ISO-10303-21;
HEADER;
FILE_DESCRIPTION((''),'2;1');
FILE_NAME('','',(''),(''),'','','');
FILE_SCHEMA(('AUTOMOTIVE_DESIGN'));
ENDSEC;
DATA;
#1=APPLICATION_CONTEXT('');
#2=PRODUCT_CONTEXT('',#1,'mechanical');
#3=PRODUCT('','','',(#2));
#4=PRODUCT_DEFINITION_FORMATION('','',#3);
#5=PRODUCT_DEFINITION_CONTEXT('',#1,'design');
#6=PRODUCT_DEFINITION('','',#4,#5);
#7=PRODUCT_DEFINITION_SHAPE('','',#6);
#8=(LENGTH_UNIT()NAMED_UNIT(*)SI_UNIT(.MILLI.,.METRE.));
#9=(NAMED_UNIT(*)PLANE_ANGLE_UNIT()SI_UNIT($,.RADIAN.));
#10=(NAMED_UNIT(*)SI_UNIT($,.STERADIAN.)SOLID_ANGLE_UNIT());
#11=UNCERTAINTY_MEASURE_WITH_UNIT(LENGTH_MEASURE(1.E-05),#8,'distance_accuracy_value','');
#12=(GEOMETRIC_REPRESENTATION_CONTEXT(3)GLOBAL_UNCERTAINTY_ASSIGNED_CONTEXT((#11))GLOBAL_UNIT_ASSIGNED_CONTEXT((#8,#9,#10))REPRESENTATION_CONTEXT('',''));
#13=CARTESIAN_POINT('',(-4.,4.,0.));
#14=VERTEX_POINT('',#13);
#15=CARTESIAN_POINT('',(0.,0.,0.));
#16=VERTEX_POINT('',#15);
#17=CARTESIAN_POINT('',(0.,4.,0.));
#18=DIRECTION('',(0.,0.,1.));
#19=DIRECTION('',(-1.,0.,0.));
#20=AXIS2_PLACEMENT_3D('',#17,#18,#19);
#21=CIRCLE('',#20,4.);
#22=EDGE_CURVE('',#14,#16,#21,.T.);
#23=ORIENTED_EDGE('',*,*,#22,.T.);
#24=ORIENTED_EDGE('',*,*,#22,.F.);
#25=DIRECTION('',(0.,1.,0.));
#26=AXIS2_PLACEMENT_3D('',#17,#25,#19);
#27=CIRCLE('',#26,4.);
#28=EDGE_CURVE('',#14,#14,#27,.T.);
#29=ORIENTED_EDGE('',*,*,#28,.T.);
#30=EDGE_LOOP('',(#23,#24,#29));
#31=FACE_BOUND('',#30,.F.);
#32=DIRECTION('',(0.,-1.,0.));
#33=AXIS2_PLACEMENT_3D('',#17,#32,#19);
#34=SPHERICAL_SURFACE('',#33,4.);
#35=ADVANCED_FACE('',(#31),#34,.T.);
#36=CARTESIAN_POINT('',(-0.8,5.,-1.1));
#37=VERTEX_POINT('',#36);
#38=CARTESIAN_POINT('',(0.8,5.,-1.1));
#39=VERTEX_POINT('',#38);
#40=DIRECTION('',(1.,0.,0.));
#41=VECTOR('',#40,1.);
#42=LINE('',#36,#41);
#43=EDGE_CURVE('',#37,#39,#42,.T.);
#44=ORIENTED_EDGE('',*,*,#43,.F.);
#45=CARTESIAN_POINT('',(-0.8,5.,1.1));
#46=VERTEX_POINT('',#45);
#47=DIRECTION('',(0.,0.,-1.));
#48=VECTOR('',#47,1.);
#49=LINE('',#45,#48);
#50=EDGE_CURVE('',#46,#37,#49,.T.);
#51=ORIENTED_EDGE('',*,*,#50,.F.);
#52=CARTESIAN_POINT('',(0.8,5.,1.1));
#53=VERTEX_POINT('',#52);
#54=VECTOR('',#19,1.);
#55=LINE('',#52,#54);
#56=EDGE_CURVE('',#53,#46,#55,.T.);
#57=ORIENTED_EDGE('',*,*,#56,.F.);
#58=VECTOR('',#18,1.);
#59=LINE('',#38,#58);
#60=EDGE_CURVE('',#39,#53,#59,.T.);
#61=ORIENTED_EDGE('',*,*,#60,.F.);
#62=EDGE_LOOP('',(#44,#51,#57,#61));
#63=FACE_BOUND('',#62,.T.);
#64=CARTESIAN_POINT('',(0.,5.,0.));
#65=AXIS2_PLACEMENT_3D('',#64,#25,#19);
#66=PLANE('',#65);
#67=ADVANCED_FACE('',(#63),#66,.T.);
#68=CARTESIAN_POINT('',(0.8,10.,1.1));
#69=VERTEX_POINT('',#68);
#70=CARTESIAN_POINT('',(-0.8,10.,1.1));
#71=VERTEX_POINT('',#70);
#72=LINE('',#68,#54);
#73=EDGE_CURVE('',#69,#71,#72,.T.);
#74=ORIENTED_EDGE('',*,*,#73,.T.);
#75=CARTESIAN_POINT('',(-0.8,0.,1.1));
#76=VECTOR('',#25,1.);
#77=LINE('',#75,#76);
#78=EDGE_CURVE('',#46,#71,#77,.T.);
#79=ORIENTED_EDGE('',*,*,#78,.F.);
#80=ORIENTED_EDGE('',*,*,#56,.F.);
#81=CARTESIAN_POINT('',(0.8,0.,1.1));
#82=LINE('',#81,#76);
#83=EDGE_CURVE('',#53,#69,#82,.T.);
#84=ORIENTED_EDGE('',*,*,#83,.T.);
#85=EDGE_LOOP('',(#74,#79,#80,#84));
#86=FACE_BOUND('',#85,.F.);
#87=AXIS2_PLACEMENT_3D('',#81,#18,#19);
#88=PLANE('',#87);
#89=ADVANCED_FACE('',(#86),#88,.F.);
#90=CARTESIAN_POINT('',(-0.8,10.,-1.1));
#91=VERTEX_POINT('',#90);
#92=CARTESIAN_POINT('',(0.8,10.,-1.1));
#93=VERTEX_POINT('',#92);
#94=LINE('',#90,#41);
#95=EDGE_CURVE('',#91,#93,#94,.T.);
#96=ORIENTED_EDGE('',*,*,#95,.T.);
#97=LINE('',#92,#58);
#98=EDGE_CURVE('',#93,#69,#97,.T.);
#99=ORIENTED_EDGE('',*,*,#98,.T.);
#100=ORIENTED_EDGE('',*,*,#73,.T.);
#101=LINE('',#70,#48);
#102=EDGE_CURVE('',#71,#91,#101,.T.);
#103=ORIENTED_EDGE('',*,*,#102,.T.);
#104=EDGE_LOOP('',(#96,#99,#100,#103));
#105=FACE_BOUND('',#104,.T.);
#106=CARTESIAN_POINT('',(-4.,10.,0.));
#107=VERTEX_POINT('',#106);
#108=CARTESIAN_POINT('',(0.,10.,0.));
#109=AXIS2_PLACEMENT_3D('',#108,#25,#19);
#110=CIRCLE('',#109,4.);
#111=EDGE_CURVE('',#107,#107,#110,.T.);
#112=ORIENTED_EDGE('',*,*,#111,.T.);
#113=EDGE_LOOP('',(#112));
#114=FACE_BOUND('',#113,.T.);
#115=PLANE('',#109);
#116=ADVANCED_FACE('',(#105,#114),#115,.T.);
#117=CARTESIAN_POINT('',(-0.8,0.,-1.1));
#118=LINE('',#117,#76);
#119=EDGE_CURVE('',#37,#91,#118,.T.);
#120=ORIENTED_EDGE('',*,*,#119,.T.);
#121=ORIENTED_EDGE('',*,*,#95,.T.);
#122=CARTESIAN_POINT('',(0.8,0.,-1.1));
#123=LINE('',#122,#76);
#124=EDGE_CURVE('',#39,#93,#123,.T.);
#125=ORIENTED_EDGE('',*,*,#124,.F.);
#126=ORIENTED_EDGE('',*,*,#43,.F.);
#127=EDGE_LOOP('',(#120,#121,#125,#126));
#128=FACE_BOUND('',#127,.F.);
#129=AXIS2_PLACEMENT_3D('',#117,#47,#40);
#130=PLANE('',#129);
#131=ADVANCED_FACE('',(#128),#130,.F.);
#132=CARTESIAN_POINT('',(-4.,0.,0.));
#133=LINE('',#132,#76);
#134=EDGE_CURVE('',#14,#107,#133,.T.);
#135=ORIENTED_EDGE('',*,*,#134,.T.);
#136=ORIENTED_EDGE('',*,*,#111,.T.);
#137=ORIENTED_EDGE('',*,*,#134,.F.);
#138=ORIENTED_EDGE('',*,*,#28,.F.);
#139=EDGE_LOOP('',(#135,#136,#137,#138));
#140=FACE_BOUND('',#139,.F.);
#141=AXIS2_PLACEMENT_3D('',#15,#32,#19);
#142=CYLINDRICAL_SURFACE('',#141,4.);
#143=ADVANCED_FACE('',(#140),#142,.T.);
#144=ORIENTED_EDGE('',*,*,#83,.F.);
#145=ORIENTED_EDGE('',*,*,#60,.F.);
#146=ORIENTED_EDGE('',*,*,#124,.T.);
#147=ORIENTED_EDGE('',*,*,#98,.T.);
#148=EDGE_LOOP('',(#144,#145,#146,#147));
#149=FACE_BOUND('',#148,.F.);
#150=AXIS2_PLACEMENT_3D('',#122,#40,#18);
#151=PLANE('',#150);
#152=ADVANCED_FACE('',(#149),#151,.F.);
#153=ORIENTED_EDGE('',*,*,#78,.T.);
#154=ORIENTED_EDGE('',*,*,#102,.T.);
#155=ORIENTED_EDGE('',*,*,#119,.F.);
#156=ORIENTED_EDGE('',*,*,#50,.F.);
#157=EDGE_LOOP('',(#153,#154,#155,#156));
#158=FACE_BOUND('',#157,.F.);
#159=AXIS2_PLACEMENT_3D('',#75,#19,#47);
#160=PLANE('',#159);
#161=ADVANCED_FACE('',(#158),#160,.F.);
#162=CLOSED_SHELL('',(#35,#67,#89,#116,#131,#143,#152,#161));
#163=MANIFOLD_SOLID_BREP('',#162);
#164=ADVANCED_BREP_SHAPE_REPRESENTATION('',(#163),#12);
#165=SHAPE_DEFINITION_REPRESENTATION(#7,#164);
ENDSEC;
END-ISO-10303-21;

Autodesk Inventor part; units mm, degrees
ref_plane "YZ Plane" through (0, 0, 0) normal (1, 0, 0) x (0, 1, 0)
ref_plane "XZ Plane" through (0, 0, 0) normal (0, 1, 0) x (-1, 0, 0)
ref_plane "XY Plane" through (0, 0, 0) normal (0, 0, 1) x (1, 0, 0)
sketch "Sketch1" plane through (0, 0, 0) normal (0, 1, 0) x (-1, 0, 0)
  line L0 (-0.8, 1.1) -> (0.8, 1.1)
  line L1 (0.8, 1.1) -> (0.8, -1.1)
  line L2 (0.8, -1.1) -> (-0.8, -1.1)
  line L3 (-0.8, -1.1) -> (-0.8, 1.1)
  line L4 (-0.8, 1.1) -> (0.8, -1.1) construction
  line L5 (0.8, 1.1) -> (-0.8, -1.1) construction
  circle A0 centre (0, 0) radius 4
  dimension "d0" = 1.6
  dimension "d1" = 2.2
  dimension "d2" = 8
extrude "Extrusion1" add sketch "Sketch1" along normal blind 10
extrude "Extrusion2" add sketch "Sketch1" along normal blind 5 contours L0 L1 L2 L3
fillet "Fillet1" radius 4 1 edges at (4, 0, 0)
properties part number "Joy"
